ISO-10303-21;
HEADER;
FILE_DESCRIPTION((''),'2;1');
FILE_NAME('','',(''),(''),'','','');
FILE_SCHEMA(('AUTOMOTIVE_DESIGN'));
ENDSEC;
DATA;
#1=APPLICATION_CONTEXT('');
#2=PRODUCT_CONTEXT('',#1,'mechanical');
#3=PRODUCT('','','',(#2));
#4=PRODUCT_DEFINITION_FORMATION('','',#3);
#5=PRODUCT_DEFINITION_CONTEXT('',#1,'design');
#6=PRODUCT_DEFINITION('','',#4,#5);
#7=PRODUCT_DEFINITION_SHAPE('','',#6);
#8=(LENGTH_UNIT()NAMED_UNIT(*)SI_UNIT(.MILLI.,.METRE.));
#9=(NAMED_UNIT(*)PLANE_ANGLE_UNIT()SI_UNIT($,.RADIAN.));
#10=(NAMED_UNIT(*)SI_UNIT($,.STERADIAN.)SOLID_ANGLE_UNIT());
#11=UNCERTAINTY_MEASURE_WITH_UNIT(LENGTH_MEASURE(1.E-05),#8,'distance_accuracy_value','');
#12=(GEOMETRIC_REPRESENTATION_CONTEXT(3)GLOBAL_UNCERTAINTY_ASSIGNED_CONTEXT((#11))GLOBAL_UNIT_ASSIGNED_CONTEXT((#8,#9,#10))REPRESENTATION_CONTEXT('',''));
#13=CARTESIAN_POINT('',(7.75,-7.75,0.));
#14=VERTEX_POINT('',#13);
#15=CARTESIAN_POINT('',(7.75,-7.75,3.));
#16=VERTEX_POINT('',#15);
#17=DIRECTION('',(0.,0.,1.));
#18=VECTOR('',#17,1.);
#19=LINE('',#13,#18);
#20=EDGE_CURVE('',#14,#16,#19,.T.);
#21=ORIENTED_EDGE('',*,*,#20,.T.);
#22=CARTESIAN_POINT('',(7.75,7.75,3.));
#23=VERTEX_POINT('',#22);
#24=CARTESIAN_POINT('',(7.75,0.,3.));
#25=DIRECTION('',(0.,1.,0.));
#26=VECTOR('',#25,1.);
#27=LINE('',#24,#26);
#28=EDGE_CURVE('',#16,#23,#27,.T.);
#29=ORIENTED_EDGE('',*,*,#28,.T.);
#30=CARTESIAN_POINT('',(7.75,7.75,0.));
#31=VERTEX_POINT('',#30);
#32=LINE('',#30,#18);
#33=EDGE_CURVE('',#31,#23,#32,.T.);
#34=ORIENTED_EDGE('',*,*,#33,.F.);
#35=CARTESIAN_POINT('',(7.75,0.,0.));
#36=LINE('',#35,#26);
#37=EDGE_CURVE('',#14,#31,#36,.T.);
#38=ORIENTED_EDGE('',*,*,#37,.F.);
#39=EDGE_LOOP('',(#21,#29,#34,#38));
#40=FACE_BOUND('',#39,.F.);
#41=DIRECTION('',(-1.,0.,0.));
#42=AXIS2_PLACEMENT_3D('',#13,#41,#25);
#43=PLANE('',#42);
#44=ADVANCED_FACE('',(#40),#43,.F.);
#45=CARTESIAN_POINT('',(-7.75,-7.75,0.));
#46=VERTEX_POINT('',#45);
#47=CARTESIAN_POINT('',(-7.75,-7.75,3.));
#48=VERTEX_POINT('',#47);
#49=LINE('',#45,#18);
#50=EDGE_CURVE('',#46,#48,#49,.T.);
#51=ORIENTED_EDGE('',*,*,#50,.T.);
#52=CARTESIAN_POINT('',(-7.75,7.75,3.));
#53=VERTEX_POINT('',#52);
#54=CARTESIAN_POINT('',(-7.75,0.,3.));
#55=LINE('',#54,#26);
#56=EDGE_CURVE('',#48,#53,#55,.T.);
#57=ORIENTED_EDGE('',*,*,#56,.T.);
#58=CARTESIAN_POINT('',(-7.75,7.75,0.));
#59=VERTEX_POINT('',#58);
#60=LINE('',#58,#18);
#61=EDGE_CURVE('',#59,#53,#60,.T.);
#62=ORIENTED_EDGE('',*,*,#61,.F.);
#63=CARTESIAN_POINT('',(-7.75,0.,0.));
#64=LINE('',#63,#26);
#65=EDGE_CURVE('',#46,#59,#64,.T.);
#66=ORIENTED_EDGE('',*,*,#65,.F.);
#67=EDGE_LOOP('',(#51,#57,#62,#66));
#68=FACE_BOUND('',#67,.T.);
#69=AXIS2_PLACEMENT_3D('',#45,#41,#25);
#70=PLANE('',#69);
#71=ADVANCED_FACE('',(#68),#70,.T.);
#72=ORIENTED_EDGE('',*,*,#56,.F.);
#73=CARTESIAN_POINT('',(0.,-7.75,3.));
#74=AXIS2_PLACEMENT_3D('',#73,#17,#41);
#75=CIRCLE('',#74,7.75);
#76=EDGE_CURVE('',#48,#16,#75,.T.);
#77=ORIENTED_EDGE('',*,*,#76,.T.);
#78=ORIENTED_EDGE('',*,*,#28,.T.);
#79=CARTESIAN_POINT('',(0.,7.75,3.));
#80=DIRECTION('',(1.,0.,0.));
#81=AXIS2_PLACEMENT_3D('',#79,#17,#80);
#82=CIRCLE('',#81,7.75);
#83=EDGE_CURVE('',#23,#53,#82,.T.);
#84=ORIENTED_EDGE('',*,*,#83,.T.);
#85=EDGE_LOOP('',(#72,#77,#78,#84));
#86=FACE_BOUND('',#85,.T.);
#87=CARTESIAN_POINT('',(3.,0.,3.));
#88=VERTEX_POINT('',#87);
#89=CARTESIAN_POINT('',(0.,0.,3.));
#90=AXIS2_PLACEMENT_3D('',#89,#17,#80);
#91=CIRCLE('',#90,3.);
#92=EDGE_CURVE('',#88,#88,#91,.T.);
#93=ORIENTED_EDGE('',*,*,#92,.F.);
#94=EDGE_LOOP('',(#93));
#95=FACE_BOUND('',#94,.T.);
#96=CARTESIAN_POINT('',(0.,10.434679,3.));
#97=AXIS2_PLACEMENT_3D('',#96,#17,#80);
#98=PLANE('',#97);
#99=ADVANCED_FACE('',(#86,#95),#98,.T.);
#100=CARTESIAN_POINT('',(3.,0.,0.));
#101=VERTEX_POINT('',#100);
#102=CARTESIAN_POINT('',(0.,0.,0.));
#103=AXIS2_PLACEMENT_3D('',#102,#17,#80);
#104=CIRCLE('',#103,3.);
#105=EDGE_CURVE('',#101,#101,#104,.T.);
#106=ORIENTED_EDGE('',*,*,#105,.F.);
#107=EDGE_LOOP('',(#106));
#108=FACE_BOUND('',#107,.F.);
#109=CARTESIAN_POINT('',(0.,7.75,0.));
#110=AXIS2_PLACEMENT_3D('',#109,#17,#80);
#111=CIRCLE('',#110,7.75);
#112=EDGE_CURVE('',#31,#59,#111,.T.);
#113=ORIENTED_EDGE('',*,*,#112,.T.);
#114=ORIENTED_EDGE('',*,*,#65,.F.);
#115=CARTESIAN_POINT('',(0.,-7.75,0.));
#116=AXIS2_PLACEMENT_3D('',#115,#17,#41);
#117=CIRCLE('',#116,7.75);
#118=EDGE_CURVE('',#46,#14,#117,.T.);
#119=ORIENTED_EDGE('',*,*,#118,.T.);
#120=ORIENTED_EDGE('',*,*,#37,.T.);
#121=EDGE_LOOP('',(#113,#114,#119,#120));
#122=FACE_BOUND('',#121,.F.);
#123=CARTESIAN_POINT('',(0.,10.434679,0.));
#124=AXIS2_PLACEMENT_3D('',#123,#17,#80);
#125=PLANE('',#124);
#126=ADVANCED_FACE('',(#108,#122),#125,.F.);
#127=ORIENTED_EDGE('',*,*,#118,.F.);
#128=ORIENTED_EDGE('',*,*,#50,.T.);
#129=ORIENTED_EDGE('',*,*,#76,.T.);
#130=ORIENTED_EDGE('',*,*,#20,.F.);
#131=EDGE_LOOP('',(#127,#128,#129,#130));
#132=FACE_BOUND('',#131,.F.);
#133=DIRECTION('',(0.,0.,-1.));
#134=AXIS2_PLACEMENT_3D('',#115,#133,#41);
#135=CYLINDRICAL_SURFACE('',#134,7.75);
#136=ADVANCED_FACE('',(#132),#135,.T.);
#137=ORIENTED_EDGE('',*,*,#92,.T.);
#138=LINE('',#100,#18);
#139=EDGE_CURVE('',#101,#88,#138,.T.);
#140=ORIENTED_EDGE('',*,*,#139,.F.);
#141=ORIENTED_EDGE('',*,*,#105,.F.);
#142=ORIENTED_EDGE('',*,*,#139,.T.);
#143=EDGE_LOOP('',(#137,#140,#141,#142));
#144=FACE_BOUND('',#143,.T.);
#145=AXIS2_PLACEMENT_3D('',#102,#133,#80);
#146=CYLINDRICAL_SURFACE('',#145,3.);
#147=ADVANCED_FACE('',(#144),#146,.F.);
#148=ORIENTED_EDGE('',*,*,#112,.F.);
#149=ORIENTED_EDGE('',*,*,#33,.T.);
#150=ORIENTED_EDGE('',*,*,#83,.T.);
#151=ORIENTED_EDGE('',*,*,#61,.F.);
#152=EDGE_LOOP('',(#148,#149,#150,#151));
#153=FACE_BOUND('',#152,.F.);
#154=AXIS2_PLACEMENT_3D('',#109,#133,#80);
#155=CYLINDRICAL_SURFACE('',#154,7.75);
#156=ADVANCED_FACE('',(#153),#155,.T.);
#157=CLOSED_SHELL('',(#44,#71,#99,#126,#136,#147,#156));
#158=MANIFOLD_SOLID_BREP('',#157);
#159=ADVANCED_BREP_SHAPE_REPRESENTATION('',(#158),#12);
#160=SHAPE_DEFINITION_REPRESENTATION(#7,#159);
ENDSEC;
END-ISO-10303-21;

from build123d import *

# Parameters (mm, degrees)
F0_W     = 15.5
F0_H     = 15.5
F0_R     = 3
F1_DEPTH = 3


with BuildPart() as f1:
    # F0 (on Top) → F1 (new body)
    with BuildSketch(Plane.XY):
        with BuildLine():
            ThreePointArc((7.75, 7.75), (0, 15.5), (-7.75, 7.75))
            Line((-7.75, 7.75), (7.75, 7.75))
        make_face()
        Rectangle(F0_W, F0_H)
        Circle(F0_R, mode=Mode.SUBTRACT)
        with BuildLine():
            Line((7.75, -7.75), (-7.75, -7.75))
            ThreePointArc((-7.75, -7.75), (0, -15.5), (7.75, -7.75))
        make_face()
    extrude(amount=F1_DEPTH)


solid = f1.part
